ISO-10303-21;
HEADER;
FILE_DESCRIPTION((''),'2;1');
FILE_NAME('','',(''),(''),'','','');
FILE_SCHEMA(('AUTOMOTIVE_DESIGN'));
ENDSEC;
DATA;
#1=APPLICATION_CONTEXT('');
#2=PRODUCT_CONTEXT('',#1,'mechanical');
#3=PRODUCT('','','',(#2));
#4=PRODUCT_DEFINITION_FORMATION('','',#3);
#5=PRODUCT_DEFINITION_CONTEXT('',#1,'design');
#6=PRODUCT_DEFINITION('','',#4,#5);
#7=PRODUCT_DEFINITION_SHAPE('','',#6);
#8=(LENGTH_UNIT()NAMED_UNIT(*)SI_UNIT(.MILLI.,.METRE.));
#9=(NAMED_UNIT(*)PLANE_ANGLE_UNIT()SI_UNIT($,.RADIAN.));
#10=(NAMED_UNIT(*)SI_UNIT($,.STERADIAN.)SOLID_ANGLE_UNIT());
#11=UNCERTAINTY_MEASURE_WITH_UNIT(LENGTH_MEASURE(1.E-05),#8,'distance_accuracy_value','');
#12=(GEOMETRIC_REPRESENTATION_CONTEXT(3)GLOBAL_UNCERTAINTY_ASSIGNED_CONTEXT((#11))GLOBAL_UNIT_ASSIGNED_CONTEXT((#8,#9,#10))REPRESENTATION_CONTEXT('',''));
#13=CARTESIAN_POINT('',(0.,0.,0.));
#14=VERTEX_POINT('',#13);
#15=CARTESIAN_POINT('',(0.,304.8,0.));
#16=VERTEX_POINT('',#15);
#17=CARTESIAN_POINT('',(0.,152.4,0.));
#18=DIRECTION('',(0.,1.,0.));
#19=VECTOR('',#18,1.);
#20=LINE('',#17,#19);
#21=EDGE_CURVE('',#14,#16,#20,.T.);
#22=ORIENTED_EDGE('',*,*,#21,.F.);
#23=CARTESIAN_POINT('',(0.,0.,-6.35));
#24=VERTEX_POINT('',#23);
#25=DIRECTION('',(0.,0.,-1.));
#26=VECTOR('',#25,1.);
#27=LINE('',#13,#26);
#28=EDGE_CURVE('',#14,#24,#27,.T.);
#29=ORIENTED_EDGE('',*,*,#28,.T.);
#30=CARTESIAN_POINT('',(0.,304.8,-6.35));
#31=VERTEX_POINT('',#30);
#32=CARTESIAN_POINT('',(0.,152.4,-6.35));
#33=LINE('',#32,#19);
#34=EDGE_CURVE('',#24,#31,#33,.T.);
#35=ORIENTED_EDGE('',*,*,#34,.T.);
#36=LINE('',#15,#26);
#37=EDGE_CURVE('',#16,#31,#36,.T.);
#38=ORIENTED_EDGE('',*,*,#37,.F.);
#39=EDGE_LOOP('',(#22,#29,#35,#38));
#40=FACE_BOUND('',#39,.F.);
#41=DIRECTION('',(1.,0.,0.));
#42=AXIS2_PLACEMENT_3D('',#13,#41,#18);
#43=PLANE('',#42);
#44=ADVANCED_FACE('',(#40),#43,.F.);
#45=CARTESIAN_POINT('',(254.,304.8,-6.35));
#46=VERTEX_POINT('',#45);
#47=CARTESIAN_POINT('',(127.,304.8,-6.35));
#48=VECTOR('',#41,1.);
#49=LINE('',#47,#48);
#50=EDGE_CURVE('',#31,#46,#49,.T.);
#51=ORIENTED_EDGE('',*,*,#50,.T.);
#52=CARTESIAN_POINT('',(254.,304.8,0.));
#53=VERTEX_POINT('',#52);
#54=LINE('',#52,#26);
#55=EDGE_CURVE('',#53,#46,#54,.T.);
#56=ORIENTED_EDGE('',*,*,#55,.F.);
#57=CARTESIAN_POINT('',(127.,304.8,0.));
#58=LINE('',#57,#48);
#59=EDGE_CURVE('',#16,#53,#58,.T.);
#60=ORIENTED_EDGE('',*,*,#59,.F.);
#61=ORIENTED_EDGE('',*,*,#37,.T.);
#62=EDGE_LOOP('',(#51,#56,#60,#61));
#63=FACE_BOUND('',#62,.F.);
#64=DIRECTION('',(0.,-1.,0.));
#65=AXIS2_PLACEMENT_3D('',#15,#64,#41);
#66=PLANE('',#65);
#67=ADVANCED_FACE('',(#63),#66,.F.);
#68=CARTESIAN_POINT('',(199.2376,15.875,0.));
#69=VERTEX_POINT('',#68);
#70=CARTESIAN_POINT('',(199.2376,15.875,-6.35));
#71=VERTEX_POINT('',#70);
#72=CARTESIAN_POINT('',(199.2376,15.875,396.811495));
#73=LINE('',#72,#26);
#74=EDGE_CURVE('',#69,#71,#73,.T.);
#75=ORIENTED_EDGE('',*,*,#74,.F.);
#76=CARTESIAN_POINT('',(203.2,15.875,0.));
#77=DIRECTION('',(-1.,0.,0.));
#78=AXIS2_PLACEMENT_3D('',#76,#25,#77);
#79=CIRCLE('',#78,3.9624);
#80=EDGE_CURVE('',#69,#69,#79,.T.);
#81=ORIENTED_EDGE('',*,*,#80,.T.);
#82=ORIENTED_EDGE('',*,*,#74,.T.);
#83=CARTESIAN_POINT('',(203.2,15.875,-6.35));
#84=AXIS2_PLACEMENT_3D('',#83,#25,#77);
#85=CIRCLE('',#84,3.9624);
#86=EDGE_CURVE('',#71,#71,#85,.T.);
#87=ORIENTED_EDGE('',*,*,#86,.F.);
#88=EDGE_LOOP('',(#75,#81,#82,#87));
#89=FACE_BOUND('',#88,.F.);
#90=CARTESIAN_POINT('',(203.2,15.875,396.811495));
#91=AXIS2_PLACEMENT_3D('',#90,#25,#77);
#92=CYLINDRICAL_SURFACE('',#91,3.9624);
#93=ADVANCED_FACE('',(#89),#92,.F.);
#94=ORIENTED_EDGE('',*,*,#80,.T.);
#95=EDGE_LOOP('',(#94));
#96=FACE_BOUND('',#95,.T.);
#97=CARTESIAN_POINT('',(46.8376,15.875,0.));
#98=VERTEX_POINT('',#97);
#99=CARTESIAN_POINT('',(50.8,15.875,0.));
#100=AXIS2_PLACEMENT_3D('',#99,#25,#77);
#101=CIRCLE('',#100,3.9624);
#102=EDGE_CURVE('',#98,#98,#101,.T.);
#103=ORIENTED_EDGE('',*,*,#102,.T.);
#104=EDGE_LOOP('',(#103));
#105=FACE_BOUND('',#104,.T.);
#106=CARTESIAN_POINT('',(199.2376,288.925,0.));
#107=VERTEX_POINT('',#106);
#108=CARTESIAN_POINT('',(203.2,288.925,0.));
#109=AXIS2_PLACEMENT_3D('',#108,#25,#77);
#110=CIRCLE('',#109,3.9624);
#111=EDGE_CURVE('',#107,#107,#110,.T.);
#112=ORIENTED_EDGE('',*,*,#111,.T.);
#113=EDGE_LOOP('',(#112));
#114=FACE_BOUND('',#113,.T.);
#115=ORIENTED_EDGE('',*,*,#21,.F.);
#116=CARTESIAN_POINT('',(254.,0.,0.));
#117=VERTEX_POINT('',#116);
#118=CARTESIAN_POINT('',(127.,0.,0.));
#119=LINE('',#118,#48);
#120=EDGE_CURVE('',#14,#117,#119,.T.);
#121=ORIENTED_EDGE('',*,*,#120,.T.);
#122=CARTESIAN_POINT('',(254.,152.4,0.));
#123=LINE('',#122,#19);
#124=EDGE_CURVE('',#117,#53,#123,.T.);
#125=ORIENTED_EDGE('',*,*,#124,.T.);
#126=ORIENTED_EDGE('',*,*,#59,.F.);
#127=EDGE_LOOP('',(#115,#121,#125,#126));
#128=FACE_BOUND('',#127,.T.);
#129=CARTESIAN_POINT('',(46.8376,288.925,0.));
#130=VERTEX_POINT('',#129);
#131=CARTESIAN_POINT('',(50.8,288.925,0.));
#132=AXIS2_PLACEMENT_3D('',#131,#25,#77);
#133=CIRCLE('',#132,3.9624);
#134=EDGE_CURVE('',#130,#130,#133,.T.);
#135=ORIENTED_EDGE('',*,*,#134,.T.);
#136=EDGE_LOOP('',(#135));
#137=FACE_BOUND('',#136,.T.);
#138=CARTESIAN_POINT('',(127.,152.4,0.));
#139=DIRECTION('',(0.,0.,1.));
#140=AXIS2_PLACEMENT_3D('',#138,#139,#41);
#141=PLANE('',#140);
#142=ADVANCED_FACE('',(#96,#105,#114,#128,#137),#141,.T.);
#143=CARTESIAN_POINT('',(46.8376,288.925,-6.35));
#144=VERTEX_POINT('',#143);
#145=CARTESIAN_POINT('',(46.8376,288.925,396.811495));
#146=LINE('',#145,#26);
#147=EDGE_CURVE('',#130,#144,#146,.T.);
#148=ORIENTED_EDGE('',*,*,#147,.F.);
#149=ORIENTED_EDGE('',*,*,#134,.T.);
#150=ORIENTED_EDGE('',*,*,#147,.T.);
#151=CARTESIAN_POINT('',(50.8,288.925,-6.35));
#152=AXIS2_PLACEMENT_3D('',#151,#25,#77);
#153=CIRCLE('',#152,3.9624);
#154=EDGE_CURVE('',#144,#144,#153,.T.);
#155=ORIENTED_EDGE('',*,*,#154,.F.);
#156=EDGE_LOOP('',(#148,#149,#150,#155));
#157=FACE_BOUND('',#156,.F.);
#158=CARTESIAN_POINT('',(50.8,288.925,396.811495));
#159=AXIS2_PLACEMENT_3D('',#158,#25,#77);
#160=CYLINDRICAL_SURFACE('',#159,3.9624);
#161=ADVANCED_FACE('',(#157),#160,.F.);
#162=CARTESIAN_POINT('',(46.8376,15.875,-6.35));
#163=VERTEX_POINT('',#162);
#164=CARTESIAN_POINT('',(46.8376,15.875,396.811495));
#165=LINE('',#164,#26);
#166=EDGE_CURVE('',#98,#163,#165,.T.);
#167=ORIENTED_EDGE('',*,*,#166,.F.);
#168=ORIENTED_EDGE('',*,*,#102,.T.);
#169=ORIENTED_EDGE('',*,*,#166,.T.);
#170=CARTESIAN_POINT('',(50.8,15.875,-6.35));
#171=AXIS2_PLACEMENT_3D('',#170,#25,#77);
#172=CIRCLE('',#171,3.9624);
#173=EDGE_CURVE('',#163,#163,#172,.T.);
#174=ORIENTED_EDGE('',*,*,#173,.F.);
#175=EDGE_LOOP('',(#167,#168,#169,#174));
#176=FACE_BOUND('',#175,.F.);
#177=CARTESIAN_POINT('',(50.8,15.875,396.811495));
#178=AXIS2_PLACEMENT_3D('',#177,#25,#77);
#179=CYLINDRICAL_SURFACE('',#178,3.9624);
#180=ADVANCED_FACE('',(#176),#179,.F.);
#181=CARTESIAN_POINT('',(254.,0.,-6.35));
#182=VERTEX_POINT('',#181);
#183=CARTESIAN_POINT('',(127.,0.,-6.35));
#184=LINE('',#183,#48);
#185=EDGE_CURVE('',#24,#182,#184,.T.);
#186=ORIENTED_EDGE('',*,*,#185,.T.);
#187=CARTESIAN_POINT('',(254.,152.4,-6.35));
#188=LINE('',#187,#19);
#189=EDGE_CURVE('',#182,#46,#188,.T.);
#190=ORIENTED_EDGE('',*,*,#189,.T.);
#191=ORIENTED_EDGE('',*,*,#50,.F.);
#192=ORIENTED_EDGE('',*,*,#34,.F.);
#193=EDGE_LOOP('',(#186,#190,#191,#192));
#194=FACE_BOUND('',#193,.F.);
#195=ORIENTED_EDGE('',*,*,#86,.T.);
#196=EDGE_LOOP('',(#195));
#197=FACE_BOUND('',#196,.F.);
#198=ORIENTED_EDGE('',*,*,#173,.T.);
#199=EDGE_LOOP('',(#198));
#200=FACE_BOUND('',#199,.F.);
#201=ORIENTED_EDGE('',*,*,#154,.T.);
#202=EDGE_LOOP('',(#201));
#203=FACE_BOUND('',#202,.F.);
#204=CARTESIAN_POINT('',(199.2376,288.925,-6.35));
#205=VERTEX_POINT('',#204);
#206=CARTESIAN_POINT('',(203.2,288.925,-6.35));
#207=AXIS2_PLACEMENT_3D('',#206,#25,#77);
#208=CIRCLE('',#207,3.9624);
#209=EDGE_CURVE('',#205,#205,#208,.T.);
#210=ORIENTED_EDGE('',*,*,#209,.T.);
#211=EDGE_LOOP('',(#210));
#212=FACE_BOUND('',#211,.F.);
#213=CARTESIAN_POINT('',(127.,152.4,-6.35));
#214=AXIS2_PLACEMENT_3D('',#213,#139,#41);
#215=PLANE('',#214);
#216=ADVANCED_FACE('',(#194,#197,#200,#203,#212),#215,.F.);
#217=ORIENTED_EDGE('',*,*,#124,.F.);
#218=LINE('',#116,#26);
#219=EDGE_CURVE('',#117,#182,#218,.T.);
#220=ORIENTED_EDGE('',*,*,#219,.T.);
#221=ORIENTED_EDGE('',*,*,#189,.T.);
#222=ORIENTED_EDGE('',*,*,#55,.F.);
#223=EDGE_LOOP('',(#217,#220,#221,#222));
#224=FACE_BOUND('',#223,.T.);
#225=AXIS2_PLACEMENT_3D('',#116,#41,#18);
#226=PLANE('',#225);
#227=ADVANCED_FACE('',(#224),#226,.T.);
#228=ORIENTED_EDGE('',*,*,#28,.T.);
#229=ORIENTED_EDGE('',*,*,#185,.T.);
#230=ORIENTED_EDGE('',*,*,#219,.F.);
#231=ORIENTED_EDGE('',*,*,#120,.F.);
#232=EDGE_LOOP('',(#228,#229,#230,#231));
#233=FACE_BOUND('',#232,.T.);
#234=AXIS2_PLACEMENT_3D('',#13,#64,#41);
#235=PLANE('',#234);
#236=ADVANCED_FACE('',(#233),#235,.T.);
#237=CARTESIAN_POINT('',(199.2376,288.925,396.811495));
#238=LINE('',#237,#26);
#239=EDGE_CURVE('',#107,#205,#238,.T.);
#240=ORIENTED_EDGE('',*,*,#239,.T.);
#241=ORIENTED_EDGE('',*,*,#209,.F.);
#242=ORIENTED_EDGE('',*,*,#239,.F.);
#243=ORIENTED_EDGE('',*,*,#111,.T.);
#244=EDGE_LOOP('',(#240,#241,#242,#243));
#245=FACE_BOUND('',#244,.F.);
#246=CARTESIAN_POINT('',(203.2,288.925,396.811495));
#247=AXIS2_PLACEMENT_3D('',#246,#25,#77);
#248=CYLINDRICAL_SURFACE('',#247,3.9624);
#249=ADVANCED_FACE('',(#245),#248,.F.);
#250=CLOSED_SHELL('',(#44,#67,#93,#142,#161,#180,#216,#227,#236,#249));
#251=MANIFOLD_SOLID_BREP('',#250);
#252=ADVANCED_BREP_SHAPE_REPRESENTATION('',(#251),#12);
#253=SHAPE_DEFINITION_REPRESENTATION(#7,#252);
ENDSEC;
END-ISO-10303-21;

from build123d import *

# Parameters (mm, degrees)
F0_W     = 254
F0_H     = 304.8
F1_DEPTH = 6.35
F3_D     = 7.9248
F4_D     = 7.9248
F5_D     = 7.9248
F6_D     = 7.9248


with BuildPart() as f1:
    # F0 (on Top) → F1 (new body)
    with BuildSketch(Plane.XY):
        with Locations((127, 152.4)):
            Rectangle(F0_W, F0_H)
    extrude(amount=-F1_DEPTH)

    # F3 (through all)
    with Locations(Plane.XY):
        with Locations((50.8, 288.925)):
            Hole(F3_D / 2)

    # F4 (through all)
    with Locations(Plane.XY):
        with Locations((203.2, 288.925)):
            Hole(F4_D / 2)

    # F5 (through all)
    with Locations(Plane.XY):
        with Locations((203.2, 15.875)):
            Hole(F5_D / 2)

    # F6 (through all)
    with Locations(Plane.XY):
        with Locations((50.8, 15.875)):
            Hole(F6_D / 2)


solid = f1.part
